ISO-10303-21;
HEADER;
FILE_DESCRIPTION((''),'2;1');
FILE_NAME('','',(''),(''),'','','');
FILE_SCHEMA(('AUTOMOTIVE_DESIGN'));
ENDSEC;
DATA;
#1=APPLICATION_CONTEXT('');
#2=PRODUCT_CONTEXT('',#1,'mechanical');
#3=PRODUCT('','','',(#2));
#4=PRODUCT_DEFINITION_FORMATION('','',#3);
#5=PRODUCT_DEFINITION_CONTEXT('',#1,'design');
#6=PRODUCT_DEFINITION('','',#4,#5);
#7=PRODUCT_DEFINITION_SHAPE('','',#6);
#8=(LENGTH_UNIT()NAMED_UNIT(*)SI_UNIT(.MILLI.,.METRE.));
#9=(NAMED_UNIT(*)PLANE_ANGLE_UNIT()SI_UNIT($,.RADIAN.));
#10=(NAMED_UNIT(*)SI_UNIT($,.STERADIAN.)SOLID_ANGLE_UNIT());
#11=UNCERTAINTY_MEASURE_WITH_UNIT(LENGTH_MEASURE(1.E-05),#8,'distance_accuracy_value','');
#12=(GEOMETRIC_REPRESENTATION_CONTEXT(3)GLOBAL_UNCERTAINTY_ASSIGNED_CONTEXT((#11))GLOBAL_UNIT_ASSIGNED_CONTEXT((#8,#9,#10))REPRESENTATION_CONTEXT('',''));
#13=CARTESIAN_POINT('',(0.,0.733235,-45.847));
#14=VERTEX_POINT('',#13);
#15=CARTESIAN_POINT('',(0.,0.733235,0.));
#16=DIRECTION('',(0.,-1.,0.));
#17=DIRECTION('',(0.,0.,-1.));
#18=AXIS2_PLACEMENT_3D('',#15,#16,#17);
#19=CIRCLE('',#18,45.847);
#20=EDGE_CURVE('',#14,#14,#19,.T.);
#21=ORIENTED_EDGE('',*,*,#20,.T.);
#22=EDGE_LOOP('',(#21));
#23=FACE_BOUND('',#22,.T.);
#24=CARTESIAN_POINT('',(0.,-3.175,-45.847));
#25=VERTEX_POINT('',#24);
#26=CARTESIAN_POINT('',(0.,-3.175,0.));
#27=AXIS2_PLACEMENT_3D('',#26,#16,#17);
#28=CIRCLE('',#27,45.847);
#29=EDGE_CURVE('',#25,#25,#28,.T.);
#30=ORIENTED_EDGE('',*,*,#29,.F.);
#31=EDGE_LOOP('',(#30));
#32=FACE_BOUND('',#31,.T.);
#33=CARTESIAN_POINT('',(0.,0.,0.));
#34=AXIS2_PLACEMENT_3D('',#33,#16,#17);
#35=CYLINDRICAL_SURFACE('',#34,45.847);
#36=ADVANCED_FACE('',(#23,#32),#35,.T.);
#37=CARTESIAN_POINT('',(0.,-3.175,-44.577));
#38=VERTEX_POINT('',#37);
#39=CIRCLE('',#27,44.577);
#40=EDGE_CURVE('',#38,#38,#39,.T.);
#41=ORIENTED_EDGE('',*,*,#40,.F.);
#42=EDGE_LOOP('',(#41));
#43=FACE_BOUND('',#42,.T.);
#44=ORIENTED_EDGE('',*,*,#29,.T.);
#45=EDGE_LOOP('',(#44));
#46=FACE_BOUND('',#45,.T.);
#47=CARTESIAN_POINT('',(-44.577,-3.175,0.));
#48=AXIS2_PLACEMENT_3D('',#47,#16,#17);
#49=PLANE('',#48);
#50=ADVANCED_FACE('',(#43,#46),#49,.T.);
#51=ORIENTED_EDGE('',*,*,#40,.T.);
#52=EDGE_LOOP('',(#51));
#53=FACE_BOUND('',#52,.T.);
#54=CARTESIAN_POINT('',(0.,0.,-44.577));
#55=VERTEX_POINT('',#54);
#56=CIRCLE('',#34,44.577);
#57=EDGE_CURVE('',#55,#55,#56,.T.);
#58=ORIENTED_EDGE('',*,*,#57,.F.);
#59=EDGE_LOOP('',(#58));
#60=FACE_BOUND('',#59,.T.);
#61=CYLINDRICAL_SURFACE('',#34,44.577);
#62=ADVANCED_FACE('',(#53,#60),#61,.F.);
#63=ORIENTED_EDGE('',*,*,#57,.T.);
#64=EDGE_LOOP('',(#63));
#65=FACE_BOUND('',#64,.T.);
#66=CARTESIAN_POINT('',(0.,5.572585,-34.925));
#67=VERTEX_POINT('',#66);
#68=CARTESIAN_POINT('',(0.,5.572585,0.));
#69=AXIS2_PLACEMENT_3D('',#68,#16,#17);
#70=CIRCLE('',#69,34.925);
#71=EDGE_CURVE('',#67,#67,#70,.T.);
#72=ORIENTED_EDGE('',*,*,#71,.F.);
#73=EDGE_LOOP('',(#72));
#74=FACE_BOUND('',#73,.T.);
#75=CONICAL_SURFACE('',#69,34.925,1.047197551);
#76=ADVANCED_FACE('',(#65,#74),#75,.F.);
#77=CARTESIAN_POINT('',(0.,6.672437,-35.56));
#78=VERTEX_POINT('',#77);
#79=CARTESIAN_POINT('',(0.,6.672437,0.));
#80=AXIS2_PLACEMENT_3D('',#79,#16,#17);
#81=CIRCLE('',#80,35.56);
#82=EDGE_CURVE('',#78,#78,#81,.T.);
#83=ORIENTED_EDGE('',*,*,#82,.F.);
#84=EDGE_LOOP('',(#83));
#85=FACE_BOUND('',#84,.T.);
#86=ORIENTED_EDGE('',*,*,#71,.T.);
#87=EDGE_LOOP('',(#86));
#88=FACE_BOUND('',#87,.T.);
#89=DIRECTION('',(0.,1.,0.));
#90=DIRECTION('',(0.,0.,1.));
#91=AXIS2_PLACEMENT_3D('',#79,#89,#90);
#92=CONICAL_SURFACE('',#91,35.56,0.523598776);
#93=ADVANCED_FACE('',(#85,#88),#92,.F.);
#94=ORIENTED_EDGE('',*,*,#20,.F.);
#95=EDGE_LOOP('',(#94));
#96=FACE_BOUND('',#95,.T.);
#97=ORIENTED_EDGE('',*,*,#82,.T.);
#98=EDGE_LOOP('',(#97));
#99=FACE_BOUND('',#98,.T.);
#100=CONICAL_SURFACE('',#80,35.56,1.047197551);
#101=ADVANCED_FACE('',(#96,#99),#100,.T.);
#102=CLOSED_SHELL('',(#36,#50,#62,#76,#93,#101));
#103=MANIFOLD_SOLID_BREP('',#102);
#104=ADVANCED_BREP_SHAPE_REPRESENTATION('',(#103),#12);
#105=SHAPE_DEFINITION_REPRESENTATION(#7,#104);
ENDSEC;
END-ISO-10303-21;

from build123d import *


with BuildPart() as part:
    # Sketch1 → Revolve-Thin1 (revolve)
    with BuildSketch(Plane.XY, mode=Mode.PRIVATE) as revolve_thin1_sk:
        Polygon((-44.577, -3.175), (-44.577, 0), (-34.925, 5.572584798), (-35.56, 6.672437061), (-45.847, 0.733234842), (-45.847, -3.175), align=None)
    revolve(revolve_thin1_sk.sketch.rotate(Axis((0, 0, 0), (0, 1, 0)), 270), axis=Axis((0, 0, 0), (0, 1, 0)))


solid = part.part
